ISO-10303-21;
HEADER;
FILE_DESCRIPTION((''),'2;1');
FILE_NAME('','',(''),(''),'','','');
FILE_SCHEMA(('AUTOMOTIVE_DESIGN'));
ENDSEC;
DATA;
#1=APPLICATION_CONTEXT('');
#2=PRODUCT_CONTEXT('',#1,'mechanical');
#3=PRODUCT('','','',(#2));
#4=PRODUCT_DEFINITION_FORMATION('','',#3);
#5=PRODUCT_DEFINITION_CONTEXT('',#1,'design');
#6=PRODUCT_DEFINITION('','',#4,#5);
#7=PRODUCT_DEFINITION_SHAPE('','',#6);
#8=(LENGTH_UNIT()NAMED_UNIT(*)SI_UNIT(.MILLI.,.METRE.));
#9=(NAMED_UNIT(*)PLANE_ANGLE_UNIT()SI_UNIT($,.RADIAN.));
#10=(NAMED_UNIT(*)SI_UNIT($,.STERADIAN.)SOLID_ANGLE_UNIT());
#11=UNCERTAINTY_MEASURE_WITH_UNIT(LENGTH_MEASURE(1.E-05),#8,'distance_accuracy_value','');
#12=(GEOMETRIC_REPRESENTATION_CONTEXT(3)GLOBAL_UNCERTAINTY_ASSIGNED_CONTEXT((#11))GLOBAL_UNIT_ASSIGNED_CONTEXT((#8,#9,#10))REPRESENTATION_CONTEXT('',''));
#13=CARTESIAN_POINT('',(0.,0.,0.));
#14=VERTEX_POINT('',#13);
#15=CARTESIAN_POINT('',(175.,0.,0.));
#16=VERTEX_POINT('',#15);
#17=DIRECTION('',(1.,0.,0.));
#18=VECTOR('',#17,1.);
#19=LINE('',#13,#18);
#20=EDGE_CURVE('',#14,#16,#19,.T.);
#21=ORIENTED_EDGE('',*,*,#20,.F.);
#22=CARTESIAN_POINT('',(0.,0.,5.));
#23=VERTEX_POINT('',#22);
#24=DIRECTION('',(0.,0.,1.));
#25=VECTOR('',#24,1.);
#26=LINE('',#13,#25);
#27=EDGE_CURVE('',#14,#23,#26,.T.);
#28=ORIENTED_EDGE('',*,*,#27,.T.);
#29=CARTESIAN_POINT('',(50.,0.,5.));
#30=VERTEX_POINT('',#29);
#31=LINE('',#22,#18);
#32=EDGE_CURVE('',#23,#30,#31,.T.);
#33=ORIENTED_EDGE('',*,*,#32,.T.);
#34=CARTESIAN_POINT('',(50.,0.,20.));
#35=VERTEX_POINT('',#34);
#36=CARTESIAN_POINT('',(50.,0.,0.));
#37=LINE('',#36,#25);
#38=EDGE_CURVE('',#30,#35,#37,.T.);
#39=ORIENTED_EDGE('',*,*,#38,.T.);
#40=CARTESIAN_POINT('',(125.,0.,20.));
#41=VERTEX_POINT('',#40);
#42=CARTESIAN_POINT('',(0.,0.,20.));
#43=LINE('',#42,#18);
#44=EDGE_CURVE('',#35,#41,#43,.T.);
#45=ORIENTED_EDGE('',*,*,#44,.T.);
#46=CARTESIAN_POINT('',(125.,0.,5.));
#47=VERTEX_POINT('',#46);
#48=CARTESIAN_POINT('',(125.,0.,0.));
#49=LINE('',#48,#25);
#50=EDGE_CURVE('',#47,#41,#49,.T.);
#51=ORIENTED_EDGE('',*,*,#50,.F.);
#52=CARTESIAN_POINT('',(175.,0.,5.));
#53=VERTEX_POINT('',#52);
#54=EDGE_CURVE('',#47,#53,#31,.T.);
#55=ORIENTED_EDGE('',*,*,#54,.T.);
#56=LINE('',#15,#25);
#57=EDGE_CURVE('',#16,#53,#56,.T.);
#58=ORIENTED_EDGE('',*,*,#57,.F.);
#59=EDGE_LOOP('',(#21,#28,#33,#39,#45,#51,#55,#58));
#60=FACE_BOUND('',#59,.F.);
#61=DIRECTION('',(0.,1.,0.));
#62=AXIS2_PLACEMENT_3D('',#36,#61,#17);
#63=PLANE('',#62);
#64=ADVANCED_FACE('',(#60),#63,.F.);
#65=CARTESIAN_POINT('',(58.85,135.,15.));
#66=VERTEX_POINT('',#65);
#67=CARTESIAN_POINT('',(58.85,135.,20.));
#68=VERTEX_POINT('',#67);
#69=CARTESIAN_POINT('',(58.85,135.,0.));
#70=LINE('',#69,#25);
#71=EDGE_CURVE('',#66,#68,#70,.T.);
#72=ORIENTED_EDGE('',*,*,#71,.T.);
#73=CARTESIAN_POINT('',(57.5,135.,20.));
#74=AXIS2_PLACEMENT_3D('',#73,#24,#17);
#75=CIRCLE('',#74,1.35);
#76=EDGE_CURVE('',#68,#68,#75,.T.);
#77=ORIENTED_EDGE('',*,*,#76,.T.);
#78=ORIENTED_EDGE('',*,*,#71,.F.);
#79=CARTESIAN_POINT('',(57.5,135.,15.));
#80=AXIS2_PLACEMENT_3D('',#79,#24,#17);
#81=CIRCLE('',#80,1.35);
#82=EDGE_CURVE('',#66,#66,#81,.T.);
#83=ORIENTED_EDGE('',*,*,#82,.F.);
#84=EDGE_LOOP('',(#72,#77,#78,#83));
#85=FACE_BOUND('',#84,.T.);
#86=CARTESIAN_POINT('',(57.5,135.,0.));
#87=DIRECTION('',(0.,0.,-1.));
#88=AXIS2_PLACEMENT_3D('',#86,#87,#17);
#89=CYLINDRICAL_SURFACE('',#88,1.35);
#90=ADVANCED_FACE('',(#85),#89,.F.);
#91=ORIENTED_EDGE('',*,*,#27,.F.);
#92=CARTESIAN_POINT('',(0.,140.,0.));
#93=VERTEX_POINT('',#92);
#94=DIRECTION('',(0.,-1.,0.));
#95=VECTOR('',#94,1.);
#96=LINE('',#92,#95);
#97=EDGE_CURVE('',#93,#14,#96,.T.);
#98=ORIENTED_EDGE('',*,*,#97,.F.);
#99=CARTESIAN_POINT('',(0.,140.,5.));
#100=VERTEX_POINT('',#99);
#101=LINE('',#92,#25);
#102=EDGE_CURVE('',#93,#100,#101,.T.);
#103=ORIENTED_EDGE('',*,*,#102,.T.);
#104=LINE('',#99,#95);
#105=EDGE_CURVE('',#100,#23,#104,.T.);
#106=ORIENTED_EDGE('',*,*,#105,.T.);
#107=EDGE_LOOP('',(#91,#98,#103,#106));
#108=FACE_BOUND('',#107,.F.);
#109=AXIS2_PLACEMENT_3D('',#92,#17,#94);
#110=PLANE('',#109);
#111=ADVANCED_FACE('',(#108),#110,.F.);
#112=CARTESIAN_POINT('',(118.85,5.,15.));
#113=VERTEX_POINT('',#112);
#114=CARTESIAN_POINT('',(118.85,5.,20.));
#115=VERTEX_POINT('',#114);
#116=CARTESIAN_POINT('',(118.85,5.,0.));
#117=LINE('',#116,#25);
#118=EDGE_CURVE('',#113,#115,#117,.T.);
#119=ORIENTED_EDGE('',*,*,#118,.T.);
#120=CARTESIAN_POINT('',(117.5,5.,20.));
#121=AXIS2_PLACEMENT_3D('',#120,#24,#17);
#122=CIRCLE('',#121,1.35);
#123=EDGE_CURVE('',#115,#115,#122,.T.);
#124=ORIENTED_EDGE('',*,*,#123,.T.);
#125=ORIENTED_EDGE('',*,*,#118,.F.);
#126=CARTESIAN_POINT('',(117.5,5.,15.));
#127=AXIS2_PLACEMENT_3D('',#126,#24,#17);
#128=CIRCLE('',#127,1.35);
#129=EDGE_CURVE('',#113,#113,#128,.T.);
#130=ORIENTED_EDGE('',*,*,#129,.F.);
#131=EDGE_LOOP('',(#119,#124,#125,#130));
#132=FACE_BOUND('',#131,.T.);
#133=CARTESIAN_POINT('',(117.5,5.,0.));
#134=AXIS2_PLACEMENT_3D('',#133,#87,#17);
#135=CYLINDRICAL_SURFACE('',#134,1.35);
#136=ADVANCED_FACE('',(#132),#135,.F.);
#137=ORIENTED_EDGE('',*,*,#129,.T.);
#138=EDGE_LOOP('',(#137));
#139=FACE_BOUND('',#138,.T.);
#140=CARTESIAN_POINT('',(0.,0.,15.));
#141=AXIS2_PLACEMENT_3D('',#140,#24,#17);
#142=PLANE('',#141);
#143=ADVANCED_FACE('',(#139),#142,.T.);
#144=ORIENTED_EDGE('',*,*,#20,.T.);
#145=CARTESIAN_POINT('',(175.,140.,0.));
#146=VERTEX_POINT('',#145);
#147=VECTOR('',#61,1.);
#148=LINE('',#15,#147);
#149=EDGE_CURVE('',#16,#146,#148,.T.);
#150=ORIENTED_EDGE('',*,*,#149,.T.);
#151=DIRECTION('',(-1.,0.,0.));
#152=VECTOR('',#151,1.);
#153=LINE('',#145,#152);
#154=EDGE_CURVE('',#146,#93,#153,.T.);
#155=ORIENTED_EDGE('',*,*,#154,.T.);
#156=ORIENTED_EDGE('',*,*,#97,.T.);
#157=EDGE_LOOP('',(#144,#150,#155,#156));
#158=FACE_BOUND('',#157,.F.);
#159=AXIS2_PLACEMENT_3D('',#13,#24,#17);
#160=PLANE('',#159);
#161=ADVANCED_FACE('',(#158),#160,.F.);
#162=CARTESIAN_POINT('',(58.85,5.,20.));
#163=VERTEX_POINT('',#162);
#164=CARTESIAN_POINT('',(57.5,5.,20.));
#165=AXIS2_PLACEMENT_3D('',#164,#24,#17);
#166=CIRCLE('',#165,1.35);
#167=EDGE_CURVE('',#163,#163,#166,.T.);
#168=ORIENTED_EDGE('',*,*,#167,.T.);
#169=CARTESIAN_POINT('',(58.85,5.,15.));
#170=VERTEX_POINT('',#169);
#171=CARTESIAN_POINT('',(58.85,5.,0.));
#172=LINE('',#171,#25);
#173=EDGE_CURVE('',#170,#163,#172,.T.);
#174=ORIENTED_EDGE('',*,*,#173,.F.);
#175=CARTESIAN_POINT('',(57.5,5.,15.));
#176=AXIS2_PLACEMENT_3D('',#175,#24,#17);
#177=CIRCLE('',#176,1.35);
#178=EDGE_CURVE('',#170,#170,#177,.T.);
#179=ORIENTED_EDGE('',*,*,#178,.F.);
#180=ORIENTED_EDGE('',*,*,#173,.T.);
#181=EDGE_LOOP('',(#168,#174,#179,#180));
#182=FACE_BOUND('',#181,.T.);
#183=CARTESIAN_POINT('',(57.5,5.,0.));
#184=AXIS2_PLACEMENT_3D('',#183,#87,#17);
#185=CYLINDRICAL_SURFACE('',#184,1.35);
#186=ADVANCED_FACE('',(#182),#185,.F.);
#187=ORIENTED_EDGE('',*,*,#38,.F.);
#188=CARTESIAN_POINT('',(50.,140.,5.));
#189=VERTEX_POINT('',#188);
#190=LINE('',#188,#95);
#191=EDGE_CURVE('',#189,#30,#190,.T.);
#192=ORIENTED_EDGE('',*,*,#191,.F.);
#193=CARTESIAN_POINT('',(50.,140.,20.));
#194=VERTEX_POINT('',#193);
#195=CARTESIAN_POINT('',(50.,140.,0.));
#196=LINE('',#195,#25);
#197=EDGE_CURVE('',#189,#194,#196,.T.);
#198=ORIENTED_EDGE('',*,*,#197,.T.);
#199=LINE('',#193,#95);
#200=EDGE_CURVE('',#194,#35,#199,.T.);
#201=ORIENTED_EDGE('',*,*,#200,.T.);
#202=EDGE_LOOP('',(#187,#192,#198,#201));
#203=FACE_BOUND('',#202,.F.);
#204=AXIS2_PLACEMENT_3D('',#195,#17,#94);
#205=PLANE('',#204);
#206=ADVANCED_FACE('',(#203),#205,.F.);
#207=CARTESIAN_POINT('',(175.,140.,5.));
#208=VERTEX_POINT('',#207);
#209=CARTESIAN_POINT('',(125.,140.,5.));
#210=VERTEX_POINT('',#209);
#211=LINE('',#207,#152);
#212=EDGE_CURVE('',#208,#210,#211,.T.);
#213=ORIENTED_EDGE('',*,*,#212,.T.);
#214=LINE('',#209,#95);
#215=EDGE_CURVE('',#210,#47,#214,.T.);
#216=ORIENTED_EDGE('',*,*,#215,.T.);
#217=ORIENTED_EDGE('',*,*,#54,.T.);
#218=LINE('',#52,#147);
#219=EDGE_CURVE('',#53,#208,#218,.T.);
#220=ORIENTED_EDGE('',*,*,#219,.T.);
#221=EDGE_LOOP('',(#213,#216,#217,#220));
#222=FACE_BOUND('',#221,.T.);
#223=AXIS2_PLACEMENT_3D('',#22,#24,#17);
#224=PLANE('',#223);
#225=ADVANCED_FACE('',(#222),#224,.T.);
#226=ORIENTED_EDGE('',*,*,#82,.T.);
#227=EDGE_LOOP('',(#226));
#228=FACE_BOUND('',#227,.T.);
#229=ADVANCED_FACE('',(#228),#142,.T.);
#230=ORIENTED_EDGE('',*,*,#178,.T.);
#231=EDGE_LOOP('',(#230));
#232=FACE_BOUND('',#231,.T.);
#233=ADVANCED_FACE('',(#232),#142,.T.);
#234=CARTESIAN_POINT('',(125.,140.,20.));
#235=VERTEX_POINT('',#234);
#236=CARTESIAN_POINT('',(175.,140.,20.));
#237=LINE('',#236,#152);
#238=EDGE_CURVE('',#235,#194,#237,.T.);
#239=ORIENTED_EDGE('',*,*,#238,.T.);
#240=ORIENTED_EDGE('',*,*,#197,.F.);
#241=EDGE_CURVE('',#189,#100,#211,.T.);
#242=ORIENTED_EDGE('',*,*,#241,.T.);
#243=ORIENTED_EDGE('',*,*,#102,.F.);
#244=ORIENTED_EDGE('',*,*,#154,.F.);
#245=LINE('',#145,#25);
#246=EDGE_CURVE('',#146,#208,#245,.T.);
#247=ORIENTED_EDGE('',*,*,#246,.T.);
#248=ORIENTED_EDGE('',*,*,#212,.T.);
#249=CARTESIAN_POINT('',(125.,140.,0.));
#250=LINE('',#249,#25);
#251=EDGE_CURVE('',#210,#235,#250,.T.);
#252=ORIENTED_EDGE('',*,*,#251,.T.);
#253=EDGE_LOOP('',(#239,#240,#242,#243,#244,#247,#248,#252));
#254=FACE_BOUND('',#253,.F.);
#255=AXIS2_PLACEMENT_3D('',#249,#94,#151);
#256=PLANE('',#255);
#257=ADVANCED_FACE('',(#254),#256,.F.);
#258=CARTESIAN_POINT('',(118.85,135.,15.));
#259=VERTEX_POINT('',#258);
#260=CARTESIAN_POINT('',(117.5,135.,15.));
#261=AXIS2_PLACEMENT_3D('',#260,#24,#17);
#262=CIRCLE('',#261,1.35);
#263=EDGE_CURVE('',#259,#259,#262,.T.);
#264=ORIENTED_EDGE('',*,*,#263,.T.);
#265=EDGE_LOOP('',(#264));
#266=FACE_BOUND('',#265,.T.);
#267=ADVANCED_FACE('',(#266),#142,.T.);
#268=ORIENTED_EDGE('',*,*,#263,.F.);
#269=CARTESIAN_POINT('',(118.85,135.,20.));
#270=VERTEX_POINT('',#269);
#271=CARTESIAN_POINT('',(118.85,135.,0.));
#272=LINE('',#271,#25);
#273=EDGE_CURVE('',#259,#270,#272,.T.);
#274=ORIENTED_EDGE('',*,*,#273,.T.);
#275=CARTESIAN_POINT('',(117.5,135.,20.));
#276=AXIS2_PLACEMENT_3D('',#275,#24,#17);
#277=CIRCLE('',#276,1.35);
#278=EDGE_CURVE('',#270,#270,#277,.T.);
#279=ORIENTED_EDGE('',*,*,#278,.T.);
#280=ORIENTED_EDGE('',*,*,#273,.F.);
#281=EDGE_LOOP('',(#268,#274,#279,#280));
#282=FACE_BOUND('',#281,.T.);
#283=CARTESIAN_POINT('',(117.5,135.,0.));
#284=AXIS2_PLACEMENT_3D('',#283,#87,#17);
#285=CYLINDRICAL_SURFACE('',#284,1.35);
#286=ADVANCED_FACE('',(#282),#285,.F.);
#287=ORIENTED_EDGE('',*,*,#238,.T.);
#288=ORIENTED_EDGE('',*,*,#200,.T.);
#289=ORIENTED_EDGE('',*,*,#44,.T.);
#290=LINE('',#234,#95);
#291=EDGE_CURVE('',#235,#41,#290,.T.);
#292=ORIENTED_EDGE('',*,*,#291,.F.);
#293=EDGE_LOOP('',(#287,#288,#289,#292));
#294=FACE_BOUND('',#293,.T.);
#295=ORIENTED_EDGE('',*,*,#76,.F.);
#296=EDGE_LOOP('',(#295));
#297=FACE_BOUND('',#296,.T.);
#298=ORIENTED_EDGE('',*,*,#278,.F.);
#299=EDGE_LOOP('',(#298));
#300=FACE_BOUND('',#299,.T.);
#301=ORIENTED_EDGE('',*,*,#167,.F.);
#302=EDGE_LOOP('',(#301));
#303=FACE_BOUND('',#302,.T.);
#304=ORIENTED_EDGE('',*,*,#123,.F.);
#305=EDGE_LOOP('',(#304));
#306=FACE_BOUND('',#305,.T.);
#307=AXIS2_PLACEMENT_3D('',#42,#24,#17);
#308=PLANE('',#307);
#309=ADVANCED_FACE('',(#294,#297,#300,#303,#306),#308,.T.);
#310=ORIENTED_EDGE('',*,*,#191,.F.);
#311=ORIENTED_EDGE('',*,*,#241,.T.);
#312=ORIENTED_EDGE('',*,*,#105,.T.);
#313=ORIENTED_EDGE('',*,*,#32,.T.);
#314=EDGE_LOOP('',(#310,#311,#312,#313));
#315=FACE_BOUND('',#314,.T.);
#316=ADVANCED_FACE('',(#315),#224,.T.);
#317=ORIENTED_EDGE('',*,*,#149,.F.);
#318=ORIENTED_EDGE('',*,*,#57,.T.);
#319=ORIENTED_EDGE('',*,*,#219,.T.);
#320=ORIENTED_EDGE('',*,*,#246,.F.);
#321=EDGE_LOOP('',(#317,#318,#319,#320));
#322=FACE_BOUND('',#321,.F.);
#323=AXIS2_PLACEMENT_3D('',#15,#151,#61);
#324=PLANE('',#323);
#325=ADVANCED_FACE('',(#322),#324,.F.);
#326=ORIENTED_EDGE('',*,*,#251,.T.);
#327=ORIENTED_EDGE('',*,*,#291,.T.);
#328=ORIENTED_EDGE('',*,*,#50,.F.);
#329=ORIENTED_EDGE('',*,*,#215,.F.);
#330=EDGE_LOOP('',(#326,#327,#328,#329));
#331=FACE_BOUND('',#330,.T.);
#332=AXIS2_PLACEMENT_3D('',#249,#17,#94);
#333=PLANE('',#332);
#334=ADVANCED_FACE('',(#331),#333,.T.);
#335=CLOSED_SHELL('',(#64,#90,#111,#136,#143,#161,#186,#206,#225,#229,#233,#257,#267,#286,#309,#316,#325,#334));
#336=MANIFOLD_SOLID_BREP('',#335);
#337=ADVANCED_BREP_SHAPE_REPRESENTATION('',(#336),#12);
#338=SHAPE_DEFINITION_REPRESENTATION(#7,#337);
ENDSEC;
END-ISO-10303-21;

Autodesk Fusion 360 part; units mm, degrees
sketch "Sketch1" plane through (0, 0, 0) normal (0, 0, 1) x (1, 0, 0)
  line L0 (0, 0) -> (175, 0)
  line L1 (175, 0) -> (175, 140)
  line L2 (175, 140) -> (0, 140)
  line L3 (0, 140) -> (0, 0)
  line L4 (50, 140) -> (50, 0)
  line L5 (125, 140) -> (125, 0)
  circle A0 centre (57.5, 5) radius 1.35
  circle A1 centre (117.5, 5) radius 1.35
  line L6 (87.5, 0) -> (87.5, 140) construction
  circle A2 centre (57.5, 135) radius 1.35
  circle A3 centre (117.5, 135) radius 1.35
  dimension "d1" = 140
  dimension "d2" = 175
  dimension "d3" = 50
  dimension "d4" = 50
  dimension "d5" = 2.7
  dimension "d6" = 5
  dimension "d7" = 2.7
  dimension "d8" = 5
  dimension "d10" = 60
  dimension "d11" = 2.7
  dimension "d12" = 2.7
  dimension "d13" = 60
  dimension "d14" = 5
  dimension "d15" = 5
extrude "Extrude1" add sketch "Sketch1" along normal blind 20 contours L0 L2 L4 L5
extrude "Extrude2" add sketch "Sketch1" along normal blind 15 contours A0 | A1 | A2 | A3
extrude "Extrude3" add sketch "Sketch1" along normal blind 5 contours L0 L2 L3 L4 | L0 L1 L2 L5
